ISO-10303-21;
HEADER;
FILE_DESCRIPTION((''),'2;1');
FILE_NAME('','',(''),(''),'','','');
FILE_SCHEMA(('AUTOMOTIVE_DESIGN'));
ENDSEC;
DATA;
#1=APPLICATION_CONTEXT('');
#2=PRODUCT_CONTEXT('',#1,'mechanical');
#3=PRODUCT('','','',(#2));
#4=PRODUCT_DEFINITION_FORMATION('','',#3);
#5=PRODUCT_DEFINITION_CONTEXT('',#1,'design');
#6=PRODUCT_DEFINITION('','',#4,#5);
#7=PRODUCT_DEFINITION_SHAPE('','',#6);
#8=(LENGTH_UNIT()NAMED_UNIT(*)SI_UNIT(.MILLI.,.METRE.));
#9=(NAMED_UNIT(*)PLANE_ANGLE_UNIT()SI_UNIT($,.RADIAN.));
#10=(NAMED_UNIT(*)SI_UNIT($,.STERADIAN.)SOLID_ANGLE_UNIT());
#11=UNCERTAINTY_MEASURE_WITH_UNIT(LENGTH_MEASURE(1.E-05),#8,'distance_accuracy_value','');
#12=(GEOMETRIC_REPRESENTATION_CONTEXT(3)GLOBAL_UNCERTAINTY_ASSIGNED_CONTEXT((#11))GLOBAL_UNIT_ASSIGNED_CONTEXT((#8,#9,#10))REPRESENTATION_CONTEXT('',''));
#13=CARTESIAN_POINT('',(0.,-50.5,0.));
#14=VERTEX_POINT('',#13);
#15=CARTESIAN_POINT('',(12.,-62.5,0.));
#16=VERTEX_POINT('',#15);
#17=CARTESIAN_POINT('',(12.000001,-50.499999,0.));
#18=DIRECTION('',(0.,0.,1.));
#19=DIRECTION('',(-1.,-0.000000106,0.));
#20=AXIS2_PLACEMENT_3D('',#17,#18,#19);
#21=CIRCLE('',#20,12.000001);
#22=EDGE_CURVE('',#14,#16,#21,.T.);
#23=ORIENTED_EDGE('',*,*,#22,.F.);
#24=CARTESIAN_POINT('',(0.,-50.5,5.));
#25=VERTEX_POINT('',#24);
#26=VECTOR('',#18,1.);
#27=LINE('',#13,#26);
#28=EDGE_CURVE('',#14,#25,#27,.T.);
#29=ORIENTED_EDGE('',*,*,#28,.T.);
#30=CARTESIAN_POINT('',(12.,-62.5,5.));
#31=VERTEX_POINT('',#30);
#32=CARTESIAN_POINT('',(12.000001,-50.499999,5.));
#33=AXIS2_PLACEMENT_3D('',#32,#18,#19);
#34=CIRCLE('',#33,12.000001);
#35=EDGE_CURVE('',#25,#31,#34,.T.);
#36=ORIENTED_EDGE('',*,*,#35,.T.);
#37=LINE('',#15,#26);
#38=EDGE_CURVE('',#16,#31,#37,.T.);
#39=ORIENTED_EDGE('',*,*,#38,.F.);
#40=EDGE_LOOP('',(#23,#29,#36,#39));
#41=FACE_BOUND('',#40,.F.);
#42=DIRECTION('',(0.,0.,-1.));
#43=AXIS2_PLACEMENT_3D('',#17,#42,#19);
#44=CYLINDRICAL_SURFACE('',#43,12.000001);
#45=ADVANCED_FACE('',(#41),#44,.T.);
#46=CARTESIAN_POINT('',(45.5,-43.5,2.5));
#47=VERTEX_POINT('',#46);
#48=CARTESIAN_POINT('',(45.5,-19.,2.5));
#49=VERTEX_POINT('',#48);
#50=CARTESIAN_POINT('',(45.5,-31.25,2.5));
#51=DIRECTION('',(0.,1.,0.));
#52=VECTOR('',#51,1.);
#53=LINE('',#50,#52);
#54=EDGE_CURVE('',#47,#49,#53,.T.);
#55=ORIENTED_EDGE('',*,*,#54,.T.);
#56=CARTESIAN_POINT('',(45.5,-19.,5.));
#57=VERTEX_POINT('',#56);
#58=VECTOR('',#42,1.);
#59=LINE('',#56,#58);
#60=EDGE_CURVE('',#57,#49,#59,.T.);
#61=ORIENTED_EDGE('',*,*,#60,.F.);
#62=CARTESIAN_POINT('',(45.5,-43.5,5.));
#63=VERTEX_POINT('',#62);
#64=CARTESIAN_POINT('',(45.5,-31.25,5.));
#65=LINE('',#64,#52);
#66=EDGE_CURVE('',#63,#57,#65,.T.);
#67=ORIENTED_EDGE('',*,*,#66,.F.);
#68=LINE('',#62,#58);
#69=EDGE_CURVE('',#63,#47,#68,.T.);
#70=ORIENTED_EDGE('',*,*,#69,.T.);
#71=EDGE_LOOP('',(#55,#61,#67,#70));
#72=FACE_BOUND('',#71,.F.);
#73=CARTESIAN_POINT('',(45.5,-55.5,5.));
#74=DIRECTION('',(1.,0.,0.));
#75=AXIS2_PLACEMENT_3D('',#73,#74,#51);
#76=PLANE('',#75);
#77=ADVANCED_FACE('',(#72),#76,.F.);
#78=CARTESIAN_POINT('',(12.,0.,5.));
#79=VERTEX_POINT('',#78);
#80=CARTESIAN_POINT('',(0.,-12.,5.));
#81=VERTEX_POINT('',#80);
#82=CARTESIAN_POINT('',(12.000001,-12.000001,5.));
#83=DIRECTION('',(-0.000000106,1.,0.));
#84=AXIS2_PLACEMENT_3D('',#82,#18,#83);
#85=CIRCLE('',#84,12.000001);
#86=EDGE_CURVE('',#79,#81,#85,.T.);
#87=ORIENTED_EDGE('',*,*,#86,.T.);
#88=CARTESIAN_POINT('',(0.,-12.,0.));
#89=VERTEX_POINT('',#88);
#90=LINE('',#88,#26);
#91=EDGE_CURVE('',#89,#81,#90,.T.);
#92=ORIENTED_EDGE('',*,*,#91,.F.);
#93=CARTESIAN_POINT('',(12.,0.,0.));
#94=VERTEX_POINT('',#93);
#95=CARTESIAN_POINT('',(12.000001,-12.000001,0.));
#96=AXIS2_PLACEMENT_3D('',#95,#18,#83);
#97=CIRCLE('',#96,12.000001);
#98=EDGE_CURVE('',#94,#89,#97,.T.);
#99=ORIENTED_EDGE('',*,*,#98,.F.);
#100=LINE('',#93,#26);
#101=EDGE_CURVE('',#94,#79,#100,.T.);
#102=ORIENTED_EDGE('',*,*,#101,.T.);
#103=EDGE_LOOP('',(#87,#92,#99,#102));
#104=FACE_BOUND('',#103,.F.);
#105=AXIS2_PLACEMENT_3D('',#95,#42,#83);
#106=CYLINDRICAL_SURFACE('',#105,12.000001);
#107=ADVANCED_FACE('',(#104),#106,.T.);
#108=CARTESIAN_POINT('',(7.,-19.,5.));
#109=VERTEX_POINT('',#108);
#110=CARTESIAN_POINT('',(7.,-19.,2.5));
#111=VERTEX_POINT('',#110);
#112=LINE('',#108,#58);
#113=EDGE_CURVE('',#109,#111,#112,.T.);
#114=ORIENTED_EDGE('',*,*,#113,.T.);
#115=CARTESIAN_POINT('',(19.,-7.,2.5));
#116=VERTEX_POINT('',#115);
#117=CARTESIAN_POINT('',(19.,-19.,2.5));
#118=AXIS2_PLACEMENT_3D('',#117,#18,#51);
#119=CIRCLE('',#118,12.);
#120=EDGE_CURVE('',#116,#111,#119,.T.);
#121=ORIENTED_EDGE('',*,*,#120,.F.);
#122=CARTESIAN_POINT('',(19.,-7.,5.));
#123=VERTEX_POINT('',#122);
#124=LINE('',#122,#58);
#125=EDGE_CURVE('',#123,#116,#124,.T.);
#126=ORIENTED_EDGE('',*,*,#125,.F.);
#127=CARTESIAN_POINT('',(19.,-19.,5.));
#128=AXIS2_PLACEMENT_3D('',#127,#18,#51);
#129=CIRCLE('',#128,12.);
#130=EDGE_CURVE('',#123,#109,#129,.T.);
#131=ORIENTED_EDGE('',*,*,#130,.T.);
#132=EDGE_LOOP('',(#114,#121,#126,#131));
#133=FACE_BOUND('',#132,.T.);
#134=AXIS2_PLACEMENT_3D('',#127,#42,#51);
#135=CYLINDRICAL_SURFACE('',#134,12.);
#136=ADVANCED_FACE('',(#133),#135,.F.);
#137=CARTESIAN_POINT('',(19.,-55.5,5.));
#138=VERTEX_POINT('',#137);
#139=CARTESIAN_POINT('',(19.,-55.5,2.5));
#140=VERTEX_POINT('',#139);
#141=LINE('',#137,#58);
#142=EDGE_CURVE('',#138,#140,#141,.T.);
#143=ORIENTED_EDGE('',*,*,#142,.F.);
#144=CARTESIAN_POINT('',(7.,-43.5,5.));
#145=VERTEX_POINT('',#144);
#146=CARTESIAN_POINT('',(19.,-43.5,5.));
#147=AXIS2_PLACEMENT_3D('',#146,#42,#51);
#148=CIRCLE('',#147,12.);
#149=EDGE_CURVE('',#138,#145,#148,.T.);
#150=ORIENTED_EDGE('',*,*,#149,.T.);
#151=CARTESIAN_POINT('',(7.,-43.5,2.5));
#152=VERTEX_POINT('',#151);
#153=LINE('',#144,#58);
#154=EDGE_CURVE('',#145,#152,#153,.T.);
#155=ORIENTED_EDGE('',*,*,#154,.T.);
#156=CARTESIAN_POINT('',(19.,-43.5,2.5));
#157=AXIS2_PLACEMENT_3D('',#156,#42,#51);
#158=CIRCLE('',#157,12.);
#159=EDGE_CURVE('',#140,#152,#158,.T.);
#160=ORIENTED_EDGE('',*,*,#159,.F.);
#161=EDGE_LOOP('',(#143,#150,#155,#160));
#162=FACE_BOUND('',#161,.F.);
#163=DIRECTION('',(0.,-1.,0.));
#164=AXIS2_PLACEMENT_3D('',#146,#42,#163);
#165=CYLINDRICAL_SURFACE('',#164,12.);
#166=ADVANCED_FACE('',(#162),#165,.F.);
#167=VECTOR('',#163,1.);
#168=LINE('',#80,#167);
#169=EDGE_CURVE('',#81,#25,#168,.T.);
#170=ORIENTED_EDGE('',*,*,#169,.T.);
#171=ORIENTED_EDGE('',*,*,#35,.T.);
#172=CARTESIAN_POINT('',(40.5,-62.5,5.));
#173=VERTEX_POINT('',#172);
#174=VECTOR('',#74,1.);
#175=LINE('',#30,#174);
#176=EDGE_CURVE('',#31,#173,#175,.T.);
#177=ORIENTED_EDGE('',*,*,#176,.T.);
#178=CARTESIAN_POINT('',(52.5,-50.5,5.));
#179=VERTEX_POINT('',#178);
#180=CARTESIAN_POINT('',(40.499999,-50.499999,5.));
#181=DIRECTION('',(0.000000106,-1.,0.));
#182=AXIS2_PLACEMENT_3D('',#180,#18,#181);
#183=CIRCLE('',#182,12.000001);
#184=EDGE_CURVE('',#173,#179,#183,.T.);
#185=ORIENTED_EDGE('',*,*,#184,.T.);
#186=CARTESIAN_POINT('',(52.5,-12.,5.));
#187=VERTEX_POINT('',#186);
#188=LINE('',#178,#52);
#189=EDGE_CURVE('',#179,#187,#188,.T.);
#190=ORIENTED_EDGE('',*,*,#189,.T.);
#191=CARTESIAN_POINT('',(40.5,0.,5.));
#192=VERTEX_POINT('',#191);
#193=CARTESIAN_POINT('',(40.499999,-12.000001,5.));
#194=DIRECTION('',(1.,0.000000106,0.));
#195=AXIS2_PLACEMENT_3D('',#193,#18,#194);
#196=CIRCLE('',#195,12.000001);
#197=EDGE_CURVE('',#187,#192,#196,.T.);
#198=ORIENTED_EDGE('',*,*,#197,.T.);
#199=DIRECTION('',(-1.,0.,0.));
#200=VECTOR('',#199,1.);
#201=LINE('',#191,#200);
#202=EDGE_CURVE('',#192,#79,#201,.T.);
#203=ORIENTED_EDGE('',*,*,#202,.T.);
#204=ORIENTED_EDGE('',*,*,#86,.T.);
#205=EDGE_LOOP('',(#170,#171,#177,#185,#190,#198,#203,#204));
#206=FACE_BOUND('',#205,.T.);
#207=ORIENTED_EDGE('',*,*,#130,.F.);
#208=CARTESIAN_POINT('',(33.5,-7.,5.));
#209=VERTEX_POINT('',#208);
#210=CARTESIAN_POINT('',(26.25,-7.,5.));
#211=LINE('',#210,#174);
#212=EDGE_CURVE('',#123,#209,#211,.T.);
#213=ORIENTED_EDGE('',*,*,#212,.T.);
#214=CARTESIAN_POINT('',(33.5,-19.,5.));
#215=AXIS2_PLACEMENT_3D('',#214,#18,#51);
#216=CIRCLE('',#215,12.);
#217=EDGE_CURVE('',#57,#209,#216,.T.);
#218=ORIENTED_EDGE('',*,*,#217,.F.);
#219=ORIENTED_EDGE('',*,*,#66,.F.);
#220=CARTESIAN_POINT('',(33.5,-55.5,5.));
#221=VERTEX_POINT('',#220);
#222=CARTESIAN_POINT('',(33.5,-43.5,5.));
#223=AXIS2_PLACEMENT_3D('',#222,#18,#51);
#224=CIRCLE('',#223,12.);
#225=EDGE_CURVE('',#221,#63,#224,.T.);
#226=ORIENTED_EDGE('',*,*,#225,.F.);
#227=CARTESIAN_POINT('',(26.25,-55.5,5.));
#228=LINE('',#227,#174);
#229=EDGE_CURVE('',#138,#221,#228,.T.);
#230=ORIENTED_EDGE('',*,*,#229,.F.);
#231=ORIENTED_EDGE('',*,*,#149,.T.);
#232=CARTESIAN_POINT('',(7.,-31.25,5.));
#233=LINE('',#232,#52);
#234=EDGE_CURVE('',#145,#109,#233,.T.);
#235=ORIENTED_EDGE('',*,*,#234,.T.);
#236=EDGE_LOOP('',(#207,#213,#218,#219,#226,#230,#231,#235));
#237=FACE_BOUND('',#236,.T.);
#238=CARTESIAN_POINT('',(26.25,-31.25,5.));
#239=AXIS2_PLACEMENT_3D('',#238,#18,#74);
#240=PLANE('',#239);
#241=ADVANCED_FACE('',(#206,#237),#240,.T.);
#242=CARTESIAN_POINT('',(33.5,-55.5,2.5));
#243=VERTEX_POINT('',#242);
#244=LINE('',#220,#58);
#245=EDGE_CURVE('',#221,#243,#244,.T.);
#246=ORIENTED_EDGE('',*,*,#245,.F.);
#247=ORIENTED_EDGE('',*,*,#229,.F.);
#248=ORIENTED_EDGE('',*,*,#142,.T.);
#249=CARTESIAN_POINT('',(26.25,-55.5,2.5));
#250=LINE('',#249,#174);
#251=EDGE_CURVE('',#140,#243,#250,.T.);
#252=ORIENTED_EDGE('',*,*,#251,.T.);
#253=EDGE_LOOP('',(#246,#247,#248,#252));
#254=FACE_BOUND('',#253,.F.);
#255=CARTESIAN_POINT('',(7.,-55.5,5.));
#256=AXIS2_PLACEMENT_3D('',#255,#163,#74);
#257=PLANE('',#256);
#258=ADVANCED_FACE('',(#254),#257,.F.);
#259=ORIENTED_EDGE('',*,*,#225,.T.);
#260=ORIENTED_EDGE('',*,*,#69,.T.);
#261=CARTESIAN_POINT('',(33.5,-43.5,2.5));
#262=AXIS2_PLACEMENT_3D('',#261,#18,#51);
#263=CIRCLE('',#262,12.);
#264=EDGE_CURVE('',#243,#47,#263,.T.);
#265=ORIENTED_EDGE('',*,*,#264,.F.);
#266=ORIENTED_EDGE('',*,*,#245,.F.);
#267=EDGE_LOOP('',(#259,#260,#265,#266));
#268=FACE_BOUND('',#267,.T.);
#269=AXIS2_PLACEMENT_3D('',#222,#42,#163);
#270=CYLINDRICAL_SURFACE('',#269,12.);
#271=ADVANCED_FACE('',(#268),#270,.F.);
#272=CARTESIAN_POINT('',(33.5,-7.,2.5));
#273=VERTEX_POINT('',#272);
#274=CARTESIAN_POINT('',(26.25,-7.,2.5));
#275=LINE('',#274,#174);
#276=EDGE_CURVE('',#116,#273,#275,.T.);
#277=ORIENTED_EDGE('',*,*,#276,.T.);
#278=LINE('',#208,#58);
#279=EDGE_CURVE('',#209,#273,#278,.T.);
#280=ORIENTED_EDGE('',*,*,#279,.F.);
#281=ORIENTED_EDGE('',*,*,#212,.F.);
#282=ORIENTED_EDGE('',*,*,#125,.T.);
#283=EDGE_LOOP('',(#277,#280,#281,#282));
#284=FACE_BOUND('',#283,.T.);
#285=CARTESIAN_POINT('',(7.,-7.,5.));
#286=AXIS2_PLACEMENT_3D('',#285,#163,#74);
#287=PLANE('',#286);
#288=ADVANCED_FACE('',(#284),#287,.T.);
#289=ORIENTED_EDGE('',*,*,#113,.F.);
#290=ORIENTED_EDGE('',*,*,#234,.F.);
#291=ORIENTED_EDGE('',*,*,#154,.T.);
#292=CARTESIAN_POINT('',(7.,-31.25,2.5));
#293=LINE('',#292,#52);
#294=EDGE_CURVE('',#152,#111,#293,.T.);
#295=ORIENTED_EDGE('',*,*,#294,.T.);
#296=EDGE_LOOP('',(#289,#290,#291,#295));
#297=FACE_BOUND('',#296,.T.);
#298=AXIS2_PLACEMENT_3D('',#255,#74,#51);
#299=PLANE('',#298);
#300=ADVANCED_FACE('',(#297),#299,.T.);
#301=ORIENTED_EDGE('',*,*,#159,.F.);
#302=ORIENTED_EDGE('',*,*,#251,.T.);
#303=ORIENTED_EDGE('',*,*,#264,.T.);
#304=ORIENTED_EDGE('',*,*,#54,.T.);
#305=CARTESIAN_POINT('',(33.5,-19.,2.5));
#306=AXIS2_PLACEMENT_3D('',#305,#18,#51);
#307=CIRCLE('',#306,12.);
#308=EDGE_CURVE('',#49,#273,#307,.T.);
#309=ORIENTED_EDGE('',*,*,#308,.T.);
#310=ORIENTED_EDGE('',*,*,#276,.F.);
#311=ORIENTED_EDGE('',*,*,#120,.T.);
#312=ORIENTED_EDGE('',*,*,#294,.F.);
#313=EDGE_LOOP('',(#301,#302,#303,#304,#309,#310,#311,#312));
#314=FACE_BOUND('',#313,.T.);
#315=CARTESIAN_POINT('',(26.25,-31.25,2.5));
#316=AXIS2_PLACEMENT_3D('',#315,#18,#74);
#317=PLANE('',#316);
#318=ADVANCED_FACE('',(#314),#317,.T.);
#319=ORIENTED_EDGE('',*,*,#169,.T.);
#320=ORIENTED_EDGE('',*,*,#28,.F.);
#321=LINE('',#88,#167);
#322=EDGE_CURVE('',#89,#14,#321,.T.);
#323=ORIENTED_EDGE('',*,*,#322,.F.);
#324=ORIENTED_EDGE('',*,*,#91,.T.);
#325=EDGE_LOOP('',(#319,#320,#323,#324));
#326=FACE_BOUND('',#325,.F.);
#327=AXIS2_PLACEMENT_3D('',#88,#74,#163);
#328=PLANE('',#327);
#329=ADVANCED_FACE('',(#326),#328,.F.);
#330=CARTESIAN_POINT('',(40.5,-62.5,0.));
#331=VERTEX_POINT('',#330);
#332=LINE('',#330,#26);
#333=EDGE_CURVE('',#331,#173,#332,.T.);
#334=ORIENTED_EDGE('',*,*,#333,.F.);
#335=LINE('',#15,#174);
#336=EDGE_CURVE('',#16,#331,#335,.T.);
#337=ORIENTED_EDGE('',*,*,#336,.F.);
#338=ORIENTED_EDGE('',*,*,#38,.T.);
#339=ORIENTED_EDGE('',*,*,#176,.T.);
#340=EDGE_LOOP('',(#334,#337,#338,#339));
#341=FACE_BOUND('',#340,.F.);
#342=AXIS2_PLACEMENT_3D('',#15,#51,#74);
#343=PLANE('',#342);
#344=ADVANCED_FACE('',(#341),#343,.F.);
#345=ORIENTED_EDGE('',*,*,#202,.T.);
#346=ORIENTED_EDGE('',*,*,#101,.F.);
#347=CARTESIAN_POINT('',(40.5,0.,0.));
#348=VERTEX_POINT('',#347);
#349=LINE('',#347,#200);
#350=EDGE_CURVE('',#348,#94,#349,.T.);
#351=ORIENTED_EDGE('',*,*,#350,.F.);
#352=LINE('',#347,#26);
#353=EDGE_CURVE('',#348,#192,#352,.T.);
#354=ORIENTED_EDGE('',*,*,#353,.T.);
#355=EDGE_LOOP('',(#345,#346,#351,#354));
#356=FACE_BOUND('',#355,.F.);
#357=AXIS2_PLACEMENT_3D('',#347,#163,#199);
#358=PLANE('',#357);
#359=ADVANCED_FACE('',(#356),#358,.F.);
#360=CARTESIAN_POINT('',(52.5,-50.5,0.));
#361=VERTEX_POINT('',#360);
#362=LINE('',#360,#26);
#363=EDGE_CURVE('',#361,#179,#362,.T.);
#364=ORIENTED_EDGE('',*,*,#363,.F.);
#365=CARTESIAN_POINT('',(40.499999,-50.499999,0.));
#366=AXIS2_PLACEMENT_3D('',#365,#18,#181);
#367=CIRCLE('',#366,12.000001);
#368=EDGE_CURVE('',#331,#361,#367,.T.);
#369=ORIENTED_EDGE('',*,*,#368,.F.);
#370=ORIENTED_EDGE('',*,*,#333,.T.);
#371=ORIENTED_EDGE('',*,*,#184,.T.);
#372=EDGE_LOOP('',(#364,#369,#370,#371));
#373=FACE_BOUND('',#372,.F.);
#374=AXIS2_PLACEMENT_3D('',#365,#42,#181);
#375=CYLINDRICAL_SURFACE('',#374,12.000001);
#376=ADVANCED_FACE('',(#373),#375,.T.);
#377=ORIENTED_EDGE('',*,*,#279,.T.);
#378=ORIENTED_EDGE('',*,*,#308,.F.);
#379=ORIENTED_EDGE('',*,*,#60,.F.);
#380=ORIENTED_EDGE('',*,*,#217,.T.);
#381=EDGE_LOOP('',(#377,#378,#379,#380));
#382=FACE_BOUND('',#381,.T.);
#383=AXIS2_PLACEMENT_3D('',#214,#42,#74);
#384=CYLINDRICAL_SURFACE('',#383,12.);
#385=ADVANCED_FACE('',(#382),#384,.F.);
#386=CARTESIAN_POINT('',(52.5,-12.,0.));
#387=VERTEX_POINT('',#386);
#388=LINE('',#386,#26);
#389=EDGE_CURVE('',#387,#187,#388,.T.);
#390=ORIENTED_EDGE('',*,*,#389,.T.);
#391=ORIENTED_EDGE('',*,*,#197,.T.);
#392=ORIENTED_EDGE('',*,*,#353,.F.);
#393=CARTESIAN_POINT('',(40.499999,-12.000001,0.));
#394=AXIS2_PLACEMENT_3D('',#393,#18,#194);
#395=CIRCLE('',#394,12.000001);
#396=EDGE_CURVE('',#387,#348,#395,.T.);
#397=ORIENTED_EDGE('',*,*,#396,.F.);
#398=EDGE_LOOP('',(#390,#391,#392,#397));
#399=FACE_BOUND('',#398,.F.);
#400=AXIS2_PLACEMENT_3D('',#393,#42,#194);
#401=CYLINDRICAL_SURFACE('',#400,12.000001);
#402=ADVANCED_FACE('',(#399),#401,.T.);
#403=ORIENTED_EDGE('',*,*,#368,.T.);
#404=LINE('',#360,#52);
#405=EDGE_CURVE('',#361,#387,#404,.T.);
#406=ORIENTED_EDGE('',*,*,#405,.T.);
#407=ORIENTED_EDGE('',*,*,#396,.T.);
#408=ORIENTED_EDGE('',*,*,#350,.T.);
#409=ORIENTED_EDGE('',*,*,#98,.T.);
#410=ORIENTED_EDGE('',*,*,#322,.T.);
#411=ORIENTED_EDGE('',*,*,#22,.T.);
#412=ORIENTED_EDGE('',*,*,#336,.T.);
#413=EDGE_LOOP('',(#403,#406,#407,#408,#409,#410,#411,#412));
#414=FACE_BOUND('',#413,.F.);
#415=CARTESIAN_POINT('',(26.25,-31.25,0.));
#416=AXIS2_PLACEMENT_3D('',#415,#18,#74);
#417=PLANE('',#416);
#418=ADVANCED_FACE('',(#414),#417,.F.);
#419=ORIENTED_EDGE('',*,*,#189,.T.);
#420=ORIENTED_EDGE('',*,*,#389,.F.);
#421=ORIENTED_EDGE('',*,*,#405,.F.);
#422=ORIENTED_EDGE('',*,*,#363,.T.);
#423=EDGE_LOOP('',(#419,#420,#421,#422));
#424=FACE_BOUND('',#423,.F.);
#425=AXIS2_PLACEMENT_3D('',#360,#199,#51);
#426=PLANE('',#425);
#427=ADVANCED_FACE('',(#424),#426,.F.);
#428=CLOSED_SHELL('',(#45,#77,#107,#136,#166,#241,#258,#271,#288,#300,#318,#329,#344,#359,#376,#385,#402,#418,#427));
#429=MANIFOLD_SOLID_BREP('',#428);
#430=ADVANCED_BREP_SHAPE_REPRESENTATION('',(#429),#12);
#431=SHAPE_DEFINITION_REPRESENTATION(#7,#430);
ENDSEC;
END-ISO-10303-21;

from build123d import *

# Parameters (mm, degrees)
F1_DEPTH = 5
F2_W     = 38.5
F2_H     = 48.5
F3_DEPTH = 2.5
F4_R     = 12


with BuildPart() as f1:
    # F0 (on Top) → F1 (new body)
    with BuildSketch(Plane.XY):
        with BuildLine():
            Line((40.5, 0), (12, 0))
            ThreePointArc((12, 0), (3.514719, -3.514719), (0, -12))
            Line((0, -12), (0, -50.5))
            ThreePointArc((0, -50.5), (3.514719, -58.985281), (12, -62.5))
            Line((12, -62.5), (40.5, -62.5))
            ThreePointArc((40.5, -62.5), (48.985281, -58.985281), (52.5, -50.5))
            Line((52.5, -50.5), (52.5, -12))
            ThreePointArc((52.5, -12), (48.985281, -3.514719), (40.5, 0))
        make_face()
    extrude(amount=F1_DEPTH)

    # F2 (on face) → F3 (cut)
    with BuildSketch(Plane.XY.offset(5)):
        with Locations((26.25, -31.25)):
            Rectangle(F2_W, F2_H)
    extrude(amount=-F3_DEPTH, mode=Mode.SUBTRACT)

    # F4
    f4_edges = [f1.edges().sort_by_distance(p)[0] for p in [
        (7, -7, 3.75),
        (45.5, -7, 3.75),
        (7, -55.5, 3.75),
        (45.5, -55.5, 3.75),
    ]]
    fillet(f4_edges, radius=F4_R)


solid = f1.part
